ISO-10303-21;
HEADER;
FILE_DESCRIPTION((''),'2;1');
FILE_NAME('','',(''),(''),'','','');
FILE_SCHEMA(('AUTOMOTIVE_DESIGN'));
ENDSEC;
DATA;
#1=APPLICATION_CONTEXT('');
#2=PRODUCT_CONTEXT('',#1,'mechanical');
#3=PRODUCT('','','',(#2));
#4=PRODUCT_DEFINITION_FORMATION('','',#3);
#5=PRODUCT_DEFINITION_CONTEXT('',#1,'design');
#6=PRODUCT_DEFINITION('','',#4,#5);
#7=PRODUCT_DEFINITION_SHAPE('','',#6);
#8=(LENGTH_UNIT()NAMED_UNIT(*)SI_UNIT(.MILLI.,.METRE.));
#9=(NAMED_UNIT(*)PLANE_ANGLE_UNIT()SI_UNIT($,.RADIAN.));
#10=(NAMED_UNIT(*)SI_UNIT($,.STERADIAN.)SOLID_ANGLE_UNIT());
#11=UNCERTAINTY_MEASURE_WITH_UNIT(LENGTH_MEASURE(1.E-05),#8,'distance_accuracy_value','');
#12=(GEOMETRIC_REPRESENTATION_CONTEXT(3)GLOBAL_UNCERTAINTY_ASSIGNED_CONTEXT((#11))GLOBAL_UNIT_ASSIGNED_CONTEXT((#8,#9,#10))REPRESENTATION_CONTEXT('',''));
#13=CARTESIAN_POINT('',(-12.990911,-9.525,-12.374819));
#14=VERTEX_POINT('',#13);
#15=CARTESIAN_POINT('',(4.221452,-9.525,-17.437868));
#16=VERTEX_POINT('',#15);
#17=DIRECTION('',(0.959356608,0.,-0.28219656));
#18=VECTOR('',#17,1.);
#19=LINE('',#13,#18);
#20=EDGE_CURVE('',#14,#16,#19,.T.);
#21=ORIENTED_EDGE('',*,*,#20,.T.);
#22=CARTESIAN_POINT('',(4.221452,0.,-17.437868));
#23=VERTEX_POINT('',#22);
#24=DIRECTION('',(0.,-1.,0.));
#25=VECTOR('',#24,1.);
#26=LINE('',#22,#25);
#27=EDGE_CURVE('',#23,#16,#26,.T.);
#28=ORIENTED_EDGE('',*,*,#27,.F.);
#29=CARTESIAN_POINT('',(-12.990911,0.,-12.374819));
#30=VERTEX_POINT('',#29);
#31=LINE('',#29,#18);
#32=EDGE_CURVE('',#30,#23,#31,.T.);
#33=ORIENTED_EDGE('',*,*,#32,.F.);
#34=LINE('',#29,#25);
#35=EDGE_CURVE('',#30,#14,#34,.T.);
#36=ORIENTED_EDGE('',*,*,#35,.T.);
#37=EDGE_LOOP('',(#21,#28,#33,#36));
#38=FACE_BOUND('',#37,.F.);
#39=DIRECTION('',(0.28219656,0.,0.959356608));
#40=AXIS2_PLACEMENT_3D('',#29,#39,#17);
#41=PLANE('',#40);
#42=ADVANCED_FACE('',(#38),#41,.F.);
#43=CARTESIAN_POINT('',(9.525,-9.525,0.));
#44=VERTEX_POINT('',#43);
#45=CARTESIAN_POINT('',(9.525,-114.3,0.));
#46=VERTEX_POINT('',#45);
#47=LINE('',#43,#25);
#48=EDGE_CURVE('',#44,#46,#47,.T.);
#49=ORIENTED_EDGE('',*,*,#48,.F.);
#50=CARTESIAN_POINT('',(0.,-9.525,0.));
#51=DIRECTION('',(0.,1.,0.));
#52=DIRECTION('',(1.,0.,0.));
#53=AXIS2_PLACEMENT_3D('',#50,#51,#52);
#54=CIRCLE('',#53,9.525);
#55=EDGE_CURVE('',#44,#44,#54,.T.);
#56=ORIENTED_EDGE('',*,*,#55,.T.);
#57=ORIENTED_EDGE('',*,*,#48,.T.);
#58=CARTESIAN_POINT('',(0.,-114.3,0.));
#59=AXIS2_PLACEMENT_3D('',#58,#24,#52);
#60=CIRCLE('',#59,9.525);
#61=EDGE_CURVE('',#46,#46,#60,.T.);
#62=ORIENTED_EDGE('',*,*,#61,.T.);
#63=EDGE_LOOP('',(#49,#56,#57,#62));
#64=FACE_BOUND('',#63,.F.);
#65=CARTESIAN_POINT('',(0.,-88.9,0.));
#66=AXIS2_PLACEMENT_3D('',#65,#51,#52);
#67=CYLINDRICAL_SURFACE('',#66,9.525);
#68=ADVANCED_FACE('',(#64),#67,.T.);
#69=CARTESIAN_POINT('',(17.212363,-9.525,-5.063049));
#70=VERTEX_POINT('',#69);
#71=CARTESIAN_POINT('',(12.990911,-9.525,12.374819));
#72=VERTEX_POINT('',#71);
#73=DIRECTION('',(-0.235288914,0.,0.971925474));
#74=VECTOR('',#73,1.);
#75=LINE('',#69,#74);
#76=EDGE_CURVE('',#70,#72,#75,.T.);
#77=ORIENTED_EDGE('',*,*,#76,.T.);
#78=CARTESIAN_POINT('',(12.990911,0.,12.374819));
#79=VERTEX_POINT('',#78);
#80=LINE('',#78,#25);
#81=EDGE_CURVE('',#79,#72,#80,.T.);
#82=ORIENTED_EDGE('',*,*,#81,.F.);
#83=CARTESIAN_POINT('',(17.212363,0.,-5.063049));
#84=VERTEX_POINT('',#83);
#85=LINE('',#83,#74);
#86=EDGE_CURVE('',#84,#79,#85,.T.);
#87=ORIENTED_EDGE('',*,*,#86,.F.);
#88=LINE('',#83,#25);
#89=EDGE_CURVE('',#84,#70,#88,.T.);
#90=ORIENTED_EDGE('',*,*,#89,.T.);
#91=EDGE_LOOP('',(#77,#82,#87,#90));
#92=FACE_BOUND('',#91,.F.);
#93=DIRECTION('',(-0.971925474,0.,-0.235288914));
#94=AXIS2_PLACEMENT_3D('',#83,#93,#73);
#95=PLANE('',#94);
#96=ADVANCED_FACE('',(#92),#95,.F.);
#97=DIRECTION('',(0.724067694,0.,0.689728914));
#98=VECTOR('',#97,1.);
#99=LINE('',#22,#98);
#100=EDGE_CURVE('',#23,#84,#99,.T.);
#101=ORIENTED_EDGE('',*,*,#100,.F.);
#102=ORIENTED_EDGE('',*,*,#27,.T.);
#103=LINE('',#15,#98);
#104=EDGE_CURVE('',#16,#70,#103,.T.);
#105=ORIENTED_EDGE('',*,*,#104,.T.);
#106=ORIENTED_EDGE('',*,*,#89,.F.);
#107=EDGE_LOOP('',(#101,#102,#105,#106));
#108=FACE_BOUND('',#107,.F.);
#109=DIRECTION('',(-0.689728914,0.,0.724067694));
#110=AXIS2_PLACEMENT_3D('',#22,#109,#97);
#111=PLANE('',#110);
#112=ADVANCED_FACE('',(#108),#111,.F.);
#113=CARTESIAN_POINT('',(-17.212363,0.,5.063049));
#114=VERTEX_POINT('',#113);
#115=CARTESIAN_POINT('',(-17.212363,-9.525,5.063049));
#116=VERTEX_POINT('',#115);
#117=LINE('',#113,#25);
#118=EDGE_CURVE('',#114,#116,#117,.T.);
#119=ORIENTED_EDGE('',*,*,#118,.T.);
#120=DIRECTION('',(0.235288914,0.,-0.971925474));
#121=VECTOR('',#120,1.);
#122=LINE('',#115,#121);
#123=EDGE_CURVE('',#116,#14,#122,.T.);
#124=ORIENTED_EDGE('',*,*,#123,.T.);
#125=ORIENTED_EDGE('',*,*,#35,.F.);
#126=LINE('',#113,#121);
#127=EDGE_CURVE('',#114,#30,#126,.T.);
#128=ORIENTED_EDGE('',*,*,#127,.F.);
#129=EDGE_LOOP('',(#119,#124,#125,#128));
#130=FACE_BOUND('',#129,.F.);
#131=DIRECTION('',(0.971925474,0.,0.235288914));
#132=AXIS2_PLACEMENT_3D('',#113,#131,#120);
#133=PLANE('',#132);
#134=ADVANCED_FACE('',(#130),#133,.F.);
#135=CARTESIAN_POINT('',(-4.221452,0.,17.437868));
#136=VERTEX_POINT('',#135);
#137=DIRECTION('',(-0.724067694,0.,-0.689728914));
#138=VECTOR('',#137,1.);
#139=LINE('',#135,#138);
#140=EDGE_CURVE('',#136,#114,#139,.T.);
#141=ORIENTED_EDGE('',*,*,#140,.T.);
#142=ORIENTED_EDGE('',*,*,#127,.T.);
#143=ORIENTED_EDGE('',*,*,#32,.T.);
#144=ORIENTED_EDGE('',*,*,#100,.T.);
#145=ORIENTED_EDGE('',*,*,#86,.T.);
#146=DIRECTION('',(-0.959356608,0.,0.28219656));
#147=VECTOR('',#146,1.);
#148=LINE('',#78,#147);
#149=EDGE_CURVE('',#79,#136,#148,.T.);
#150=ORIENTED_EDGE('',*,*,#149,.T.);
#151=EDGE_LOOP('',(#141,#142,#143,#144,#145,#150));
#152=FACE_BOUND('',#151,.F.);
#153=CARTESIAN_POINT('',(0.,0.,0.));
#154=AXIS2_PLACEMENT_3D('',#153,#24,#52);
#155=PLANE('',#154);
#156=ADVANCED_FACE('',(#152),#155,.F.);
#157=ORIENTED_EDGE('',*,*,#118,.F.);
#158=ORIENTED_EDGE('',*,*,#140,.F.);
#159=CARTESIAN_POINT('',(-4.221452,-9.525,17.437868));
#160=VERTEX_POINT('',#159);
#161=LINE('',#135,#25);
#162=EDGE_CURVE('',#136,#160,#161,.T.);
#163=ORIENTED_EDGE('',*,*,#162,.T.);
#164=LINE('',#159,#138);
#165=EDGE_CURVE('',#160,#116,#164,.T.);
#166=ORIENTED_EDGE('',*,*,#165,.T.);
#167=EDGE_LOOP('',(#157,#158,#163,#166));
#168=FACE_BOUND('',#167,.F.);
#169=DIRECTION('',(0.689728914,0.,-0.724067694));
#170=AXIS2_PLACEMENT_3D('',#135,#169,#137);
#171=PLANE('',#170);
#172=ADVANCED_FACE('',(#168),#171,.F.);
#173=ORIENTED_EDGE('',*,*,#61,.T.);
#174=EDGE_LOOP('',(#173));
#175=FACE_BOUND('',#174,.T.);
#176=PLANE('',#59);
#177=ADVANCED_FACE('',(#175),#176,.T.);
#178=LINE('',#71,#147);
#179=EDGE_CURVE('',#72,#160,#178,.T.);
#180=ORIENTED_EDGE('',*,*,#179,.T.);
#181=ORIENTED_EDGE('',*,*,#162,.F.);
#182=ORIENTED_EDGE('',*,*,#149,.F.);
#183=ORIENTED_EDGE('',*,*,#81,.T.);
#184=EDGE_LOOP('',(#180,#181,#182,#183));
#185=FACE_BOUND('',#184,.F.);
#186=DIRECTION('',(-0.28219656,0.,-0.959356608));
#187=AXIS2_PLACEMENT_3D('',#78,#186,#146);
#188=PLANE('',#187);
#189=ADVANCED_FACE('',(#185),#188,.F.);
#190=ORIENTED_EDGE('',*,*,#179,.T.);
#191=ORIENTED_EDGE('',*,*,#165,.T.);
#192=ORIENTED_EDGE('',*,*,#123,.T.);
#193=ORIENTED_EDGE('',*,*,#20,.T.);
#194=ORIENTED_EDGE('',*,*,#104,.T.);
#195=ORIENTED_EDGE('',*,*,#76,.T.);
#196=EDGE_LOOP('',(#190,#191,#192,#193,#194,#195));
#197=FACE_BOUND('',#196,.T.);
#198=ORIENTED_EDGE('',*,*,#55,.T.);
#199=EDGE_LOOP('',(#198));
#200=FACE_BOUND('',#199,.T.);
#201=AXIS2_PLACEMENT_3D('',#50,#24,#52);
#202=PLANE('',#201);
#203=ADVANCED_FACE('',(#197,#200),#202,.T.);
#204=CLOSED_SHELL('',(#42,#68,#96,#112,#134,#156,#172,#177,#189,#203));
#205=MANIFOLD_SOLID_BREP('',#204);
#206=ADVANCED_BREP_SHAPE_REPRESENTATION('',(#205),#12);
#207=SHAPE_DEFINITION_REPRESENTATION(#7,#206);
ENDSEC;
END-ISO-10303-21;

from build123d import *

# Parameters (mm, degrees)
F0_R     = 9.525
F1_DEPTH = 9.525
F2_DEPTH = 88.9
F3_DEPTH = 25.4


with BuildPart() as f1:
    # F0 (on Front) → F1 (new body)
    with BuildSketch(Plane.XZ):
        Polygon((-4.2214523455, 17.4378681917), (-17.2123630146, 5.0630491238), (-12.9909106691, -12.3748190679), (4.2214523455, -17.4378681917), (17.2123630146, -5.0630491238), (12.9909106691, 12.3748190679), align=None)
        Circle(F0_R, mode=Mode.SUBTRACT)
        Circle(F0_R)
    extrude(amount=F1_DEPTH)

    # F0 (on Front) → F2 (join)
    with BuildSketch(Plane.XZ):
        Circle(F0_R)
    extrude(amount=F2_DEPTH)

    # F3 (add): a face of the model
    f3_faces = [f1.faces().sort_by_distance(p)[0] for p in [
        (0, -88.9, 0),
    ]]
    extrude(f3_faces, amount=F3_DEPTH)


solid = f1.part
